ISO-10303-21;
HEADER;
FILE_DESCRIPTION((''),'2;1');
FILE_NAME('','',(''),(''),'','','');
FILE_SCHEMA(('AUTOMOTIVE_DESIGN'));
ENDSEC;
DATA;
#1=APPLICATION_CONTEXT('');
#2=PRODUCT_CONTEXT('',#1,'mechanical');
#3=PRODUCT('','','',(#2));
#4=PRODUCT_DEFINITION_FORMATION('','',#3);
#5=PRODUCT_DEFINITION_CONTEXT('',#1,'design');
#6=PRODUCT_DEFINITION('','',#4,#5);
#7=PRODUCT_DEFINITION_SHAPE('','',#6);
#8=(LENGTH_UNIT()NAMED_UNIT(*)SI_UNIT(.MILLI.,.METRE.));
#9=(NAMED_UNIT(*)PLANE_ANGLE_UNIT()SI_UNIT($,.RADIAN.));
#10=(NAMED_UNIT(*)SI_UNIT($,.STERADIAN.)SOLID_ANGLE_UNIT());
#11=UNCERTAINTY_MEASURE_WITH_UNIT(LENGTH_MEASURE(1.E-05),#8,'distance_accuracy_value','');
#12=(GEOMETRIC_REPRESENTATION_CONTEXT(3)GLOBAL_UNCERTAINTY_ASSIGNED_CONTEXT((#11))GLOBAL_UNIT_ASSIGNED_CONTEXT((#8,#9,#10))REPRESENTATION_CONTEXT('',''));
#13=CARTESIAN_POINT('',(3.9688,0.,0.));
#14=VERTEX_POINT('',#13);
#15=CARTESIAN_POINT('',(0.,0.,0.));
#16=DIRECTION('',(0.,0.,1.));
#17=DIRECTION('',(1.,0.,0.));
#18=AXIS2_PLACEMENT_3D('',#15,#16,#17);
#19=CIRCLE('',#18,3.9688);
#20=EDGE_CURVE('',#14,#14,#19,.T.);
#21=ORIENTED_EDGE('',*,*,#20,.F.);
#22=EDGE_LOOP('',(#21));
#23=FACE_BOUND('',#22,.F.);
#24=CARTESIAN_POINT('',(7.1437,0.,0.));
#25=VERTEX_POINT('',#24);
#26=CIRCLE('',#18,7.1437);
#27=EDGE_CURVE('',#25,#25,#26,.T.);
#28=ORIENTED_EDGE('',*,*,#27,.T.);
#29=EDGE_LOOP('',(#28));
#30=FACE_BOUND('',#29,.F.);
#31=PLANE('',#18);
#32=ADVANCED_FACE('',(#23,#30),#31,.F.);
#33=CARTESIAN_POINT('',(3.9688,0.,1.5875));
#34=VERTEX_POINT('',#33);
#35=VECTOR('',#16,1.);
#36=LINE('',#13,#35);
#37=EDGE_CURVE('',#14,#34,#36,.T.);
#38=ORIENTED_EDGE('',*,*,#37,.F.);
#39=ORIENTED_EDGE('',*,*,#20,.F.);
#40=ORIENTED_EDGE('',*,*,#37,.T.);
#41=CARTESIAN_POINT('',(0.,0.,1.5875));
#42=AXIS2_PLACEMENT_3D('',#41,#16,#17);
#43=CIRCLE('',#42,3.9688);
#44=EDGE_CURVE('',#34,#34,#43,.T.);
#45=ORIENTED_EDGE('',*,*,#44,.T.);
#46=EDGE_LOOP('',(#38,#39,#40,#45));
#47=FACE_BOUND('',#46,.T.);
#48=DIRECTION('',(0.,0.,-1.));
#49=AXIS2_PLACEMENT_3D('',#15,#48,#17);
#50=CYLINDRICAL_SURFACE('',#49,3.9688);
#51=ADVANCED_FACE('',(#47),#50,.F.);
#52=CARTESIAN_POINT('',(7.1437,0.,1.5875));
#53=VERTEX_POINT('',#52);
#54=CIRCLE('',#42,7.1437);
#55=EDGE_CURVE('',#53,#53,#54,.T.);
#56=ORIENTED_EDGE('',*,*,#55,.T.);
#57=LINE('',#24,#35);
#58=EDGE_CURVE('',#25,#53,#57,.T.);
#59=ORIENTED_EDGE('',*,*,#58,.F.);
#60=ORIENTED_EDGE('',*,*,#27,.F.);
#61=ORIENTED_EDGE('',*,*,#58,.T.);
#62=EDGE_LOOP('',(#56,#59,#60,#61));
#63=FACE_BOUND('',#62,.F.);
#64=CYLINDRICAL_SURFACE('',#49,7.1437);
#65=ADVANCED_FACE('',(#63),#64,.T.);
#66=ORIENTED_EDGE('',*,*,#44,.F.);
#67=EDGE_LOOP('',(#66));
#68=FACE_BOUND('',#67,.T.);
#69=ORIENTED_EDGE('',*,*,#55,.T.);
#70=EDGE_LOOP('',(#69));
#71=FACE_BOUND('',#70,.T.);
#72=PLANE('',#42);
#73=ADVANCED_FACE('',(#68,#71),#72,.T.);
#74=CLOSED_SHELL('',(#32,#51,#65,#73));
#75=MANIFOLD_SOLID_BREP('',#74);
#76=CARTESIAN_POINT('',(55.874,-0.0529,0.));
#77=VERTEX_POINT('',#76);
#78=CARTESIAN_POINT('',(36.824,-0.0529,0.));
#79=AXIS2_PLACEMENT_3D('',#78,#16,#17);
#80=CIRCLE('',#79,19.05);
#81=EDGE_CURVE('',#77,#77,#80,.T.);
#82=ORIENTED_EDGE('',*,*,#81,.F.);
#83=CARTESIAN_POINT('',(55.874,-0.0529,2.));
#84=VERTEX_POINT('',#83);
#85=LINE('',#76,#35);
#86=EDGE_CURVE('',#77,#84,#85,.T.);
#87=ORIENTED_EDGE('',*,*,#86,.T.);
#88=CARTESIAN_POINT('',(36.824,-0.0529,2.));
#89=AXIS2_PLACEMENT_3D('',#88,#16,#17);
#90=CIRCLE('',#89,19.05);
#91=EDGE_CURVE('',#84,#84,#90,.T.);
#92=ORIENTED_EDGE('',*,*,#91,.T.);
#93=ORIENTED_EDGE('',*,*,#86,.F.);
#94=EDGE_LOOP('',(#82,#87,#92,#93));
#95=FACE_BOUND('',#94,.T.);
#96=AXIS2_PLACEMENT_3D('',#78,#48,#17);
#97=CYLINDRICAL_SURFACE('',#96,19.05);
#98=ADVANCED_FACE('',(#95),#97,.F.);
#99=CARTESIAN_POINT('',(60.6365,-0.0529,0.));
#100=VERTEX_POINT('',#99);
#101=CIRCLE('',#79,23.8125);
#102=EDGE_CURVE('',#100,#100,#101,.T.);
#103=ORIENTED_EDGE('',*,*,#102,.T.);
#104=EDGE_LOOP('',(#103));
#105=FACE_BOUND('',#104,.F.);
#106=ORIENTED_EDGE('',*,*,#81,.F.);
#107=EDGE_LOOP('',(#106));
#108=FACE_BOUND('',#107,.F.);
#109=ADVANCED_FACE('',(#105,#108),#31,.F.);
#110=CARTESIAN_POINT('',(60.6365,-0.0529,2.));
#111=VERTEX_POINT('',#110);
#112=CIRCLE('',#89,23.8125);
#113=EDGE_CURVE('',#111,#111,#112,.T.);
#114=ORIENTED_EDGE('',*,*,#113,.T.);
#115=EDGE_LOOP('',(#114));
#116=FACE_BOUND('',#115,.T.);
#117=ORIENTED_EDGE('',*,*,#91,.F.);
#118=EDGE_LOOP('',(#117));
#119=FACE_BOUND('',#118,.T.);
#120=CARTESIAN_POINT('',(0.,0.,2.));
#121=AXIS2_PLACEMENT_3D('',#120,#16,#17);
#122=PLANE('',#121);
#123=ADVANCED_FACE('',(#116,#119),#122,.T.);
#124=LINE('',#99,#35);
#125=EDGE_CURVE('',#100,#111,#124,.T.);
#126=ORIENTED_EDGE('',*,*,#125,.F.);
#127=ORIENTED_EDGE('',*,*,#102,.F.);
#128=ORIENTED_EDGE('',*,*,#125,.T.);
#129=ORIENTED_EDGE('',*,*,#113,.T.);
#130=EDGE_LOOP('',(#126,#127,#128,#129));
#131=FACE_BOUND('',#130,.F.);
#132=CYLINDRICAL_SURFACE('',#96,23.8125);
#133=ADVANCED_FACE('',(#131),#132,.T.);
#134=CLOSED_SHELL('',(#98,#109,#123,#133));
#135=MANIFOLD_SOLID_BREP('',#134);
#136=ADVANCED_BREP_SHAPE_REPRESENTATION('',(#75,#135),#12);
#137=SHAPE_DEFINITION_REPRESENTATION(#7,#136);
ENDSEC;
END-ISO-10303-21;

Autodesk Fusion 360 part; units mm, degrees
sketch "Sketch1" plane through (0, 0, 0) normal (0, 0, 1) x (1, 0, 0)
  circle A0 centre (0, 0) radius 3.9688
  circle A1 centre (0, 0) radius 7.1437
  dimension "d1" = 7.9375
  dimension "d2" = 3.175
extrude "Extrude1" add sketch "Sketch1" along normal blind 1.5875 makes body 1
sketch "Sketch2" plane through (0, 0, 0) normal (0, 0, 1) x (1, 0, 0)
  circle A0 centre (36.824, -0.0529) radius 19.05
  circle A1 centre (36.824, -0.0529) radius 23.8125
  dimension "d5" = 38.1
  dimension "d6" = 4.7625
extrude "Extrude2" add sketch "Sketch2" along normal blind 2 separate body makes body 2
equation "d1 = ( 5 / 16 ) * 1 in"
equation "d2 = ( 1 / 8 ) * 1 in"
equation "d3 = ( 1 / 16 ) * 1 in"
equation "d6 = ( 3 / 16 ) * 1 in"
